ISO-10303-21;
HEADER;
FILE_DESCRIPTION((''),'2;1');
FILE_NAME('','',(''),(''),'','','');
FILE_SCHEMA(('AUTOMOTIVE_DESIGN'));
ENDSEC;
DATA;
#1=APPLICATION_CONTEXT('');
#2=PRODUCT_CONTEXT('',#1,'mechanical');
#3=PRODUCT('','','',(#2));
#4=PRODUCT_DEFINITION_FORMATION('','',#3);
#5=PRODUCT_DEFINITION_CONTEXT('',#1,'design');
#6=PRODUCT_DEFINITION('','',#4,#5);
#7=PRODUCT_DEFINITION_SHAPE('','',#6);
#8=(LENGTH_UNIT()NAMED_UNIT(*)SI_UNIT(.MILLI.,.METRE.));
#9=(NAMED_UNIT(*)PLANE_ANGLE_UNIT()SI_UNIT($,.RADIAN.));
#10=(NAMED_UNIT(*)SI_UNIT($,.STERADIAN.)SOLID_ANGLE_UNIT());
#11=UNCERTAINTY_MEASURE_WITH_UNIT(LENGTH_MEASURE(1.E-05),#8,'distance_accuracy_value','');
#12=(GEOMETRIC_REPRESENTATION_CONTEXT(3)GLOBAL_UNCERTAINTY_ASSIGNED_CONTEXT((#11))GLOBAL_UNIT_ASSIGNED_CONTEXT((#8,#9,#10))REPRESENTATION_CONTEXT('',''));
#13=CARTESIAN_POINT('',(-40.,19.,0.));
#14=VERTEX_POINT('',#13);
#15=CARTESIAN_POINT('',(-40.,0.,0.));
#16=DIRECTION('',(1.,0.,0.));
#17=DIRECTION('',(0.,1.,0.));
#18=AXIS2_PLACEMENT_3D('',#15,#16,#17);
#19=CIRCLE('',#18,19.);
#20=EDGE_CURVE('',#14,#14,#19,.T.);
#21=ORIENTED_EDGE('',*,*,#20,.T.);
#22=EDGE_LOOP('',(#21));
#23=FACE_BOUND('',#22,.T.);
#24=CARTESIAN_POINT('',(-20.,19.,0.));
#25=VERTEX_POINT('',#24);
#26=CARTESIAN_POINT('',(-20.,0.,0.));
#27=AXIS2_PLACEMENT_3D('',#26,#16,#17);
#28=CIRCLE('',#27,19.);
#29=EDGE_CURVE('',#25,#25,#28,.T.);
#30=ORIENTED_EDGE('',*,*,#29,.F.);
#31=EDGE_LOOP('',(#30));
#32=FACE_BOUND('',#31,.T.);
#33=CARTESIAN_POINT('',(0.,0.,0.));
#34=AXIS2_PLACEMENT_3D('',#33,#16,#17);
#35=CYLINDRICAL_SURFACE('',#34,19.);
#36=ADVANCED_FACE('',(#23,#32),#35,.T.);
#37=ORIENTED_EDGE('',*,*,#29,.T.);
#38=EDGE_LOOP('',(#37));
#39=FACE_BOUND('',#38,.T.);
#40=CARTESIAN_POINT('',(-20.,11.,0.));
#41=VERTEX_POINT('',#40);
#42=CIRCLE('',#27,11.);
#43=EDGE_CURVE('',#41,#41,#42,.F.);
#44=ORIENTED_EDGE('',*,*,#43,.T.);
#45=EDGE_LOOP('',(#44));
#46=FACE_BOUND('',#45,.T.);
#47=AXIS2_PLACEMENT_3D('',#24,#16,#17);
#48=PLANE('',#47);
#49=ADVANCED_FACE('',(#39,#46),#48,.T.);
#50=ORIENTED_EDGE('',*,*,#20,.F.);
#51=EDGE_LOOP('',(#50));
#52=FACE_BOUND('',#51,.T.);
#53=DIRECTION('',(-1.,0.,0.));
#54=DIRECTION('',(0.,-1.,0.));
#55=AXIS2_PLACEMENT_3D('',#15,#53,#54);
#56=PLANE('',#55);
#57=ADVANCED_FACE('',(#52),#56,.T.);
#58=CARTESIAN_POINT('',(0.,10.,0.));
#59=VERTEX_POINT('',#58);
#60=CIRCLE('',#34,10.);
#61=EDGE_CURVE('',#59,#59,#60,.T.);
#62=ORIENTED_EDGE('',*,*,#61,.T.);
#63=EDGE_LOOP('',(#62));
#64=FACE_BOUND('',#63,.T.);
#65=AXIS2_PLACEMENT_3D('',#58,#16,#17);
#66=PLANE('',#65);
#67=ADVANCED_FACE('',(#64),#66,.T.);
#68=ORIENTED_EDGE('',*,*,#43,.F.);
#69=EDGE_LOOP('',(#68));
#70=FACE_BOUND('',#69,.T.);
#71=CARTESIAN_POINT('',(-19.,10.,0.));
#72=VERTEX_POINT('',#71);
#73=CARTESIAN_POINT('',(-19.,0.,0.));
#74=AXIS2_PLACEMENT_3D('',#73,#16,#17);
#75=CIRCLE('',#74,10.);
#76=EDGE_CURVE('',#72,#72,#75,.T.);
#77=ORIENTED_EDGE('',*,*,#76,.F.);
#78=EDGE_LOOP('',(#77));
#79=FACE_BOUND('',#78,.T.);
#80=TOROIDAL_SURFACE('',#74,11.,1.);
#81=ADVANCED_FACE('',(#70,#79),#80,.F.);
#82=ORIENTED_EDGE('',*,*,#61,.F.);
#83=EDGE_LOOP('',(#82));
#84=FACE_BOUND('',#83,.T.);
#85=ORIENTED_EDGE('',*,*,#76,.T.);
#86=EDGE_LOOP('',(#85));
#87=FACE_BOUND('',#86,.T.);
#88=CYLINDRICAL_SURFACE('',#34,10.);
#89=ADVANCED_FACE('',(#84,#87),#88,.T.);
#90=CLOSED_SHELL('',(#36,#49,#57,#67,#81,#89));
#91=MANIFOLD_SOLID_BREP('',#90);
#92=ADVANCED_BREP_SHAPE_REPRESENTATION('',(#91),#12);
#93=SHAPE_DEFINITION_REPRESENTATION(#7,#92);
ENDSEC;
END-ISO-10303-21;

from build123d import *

# Parameters (mm, degrees)
FILLET1_R = 1


with BuildPart() as part:
    # Sketch1 → Revolve1 (revolve)
    with BuildSketch(Plane.XY):
        Polygon((0, 0), (-40, 0), (-40, 19), (-20, 19), (-20, 10), (0, 10), align=None)
    revolve(axis=Axis((0, 0, 0), (-1, 0, 0)))

    # Fillet1
    fillet1_edges = [part.edges().sort_by_distance(p)[0] for p in [
        (-20, -10, 0),
    ]]
    fillet(fillet1_edges, radius=FILLET1_R)


solid = part.part
